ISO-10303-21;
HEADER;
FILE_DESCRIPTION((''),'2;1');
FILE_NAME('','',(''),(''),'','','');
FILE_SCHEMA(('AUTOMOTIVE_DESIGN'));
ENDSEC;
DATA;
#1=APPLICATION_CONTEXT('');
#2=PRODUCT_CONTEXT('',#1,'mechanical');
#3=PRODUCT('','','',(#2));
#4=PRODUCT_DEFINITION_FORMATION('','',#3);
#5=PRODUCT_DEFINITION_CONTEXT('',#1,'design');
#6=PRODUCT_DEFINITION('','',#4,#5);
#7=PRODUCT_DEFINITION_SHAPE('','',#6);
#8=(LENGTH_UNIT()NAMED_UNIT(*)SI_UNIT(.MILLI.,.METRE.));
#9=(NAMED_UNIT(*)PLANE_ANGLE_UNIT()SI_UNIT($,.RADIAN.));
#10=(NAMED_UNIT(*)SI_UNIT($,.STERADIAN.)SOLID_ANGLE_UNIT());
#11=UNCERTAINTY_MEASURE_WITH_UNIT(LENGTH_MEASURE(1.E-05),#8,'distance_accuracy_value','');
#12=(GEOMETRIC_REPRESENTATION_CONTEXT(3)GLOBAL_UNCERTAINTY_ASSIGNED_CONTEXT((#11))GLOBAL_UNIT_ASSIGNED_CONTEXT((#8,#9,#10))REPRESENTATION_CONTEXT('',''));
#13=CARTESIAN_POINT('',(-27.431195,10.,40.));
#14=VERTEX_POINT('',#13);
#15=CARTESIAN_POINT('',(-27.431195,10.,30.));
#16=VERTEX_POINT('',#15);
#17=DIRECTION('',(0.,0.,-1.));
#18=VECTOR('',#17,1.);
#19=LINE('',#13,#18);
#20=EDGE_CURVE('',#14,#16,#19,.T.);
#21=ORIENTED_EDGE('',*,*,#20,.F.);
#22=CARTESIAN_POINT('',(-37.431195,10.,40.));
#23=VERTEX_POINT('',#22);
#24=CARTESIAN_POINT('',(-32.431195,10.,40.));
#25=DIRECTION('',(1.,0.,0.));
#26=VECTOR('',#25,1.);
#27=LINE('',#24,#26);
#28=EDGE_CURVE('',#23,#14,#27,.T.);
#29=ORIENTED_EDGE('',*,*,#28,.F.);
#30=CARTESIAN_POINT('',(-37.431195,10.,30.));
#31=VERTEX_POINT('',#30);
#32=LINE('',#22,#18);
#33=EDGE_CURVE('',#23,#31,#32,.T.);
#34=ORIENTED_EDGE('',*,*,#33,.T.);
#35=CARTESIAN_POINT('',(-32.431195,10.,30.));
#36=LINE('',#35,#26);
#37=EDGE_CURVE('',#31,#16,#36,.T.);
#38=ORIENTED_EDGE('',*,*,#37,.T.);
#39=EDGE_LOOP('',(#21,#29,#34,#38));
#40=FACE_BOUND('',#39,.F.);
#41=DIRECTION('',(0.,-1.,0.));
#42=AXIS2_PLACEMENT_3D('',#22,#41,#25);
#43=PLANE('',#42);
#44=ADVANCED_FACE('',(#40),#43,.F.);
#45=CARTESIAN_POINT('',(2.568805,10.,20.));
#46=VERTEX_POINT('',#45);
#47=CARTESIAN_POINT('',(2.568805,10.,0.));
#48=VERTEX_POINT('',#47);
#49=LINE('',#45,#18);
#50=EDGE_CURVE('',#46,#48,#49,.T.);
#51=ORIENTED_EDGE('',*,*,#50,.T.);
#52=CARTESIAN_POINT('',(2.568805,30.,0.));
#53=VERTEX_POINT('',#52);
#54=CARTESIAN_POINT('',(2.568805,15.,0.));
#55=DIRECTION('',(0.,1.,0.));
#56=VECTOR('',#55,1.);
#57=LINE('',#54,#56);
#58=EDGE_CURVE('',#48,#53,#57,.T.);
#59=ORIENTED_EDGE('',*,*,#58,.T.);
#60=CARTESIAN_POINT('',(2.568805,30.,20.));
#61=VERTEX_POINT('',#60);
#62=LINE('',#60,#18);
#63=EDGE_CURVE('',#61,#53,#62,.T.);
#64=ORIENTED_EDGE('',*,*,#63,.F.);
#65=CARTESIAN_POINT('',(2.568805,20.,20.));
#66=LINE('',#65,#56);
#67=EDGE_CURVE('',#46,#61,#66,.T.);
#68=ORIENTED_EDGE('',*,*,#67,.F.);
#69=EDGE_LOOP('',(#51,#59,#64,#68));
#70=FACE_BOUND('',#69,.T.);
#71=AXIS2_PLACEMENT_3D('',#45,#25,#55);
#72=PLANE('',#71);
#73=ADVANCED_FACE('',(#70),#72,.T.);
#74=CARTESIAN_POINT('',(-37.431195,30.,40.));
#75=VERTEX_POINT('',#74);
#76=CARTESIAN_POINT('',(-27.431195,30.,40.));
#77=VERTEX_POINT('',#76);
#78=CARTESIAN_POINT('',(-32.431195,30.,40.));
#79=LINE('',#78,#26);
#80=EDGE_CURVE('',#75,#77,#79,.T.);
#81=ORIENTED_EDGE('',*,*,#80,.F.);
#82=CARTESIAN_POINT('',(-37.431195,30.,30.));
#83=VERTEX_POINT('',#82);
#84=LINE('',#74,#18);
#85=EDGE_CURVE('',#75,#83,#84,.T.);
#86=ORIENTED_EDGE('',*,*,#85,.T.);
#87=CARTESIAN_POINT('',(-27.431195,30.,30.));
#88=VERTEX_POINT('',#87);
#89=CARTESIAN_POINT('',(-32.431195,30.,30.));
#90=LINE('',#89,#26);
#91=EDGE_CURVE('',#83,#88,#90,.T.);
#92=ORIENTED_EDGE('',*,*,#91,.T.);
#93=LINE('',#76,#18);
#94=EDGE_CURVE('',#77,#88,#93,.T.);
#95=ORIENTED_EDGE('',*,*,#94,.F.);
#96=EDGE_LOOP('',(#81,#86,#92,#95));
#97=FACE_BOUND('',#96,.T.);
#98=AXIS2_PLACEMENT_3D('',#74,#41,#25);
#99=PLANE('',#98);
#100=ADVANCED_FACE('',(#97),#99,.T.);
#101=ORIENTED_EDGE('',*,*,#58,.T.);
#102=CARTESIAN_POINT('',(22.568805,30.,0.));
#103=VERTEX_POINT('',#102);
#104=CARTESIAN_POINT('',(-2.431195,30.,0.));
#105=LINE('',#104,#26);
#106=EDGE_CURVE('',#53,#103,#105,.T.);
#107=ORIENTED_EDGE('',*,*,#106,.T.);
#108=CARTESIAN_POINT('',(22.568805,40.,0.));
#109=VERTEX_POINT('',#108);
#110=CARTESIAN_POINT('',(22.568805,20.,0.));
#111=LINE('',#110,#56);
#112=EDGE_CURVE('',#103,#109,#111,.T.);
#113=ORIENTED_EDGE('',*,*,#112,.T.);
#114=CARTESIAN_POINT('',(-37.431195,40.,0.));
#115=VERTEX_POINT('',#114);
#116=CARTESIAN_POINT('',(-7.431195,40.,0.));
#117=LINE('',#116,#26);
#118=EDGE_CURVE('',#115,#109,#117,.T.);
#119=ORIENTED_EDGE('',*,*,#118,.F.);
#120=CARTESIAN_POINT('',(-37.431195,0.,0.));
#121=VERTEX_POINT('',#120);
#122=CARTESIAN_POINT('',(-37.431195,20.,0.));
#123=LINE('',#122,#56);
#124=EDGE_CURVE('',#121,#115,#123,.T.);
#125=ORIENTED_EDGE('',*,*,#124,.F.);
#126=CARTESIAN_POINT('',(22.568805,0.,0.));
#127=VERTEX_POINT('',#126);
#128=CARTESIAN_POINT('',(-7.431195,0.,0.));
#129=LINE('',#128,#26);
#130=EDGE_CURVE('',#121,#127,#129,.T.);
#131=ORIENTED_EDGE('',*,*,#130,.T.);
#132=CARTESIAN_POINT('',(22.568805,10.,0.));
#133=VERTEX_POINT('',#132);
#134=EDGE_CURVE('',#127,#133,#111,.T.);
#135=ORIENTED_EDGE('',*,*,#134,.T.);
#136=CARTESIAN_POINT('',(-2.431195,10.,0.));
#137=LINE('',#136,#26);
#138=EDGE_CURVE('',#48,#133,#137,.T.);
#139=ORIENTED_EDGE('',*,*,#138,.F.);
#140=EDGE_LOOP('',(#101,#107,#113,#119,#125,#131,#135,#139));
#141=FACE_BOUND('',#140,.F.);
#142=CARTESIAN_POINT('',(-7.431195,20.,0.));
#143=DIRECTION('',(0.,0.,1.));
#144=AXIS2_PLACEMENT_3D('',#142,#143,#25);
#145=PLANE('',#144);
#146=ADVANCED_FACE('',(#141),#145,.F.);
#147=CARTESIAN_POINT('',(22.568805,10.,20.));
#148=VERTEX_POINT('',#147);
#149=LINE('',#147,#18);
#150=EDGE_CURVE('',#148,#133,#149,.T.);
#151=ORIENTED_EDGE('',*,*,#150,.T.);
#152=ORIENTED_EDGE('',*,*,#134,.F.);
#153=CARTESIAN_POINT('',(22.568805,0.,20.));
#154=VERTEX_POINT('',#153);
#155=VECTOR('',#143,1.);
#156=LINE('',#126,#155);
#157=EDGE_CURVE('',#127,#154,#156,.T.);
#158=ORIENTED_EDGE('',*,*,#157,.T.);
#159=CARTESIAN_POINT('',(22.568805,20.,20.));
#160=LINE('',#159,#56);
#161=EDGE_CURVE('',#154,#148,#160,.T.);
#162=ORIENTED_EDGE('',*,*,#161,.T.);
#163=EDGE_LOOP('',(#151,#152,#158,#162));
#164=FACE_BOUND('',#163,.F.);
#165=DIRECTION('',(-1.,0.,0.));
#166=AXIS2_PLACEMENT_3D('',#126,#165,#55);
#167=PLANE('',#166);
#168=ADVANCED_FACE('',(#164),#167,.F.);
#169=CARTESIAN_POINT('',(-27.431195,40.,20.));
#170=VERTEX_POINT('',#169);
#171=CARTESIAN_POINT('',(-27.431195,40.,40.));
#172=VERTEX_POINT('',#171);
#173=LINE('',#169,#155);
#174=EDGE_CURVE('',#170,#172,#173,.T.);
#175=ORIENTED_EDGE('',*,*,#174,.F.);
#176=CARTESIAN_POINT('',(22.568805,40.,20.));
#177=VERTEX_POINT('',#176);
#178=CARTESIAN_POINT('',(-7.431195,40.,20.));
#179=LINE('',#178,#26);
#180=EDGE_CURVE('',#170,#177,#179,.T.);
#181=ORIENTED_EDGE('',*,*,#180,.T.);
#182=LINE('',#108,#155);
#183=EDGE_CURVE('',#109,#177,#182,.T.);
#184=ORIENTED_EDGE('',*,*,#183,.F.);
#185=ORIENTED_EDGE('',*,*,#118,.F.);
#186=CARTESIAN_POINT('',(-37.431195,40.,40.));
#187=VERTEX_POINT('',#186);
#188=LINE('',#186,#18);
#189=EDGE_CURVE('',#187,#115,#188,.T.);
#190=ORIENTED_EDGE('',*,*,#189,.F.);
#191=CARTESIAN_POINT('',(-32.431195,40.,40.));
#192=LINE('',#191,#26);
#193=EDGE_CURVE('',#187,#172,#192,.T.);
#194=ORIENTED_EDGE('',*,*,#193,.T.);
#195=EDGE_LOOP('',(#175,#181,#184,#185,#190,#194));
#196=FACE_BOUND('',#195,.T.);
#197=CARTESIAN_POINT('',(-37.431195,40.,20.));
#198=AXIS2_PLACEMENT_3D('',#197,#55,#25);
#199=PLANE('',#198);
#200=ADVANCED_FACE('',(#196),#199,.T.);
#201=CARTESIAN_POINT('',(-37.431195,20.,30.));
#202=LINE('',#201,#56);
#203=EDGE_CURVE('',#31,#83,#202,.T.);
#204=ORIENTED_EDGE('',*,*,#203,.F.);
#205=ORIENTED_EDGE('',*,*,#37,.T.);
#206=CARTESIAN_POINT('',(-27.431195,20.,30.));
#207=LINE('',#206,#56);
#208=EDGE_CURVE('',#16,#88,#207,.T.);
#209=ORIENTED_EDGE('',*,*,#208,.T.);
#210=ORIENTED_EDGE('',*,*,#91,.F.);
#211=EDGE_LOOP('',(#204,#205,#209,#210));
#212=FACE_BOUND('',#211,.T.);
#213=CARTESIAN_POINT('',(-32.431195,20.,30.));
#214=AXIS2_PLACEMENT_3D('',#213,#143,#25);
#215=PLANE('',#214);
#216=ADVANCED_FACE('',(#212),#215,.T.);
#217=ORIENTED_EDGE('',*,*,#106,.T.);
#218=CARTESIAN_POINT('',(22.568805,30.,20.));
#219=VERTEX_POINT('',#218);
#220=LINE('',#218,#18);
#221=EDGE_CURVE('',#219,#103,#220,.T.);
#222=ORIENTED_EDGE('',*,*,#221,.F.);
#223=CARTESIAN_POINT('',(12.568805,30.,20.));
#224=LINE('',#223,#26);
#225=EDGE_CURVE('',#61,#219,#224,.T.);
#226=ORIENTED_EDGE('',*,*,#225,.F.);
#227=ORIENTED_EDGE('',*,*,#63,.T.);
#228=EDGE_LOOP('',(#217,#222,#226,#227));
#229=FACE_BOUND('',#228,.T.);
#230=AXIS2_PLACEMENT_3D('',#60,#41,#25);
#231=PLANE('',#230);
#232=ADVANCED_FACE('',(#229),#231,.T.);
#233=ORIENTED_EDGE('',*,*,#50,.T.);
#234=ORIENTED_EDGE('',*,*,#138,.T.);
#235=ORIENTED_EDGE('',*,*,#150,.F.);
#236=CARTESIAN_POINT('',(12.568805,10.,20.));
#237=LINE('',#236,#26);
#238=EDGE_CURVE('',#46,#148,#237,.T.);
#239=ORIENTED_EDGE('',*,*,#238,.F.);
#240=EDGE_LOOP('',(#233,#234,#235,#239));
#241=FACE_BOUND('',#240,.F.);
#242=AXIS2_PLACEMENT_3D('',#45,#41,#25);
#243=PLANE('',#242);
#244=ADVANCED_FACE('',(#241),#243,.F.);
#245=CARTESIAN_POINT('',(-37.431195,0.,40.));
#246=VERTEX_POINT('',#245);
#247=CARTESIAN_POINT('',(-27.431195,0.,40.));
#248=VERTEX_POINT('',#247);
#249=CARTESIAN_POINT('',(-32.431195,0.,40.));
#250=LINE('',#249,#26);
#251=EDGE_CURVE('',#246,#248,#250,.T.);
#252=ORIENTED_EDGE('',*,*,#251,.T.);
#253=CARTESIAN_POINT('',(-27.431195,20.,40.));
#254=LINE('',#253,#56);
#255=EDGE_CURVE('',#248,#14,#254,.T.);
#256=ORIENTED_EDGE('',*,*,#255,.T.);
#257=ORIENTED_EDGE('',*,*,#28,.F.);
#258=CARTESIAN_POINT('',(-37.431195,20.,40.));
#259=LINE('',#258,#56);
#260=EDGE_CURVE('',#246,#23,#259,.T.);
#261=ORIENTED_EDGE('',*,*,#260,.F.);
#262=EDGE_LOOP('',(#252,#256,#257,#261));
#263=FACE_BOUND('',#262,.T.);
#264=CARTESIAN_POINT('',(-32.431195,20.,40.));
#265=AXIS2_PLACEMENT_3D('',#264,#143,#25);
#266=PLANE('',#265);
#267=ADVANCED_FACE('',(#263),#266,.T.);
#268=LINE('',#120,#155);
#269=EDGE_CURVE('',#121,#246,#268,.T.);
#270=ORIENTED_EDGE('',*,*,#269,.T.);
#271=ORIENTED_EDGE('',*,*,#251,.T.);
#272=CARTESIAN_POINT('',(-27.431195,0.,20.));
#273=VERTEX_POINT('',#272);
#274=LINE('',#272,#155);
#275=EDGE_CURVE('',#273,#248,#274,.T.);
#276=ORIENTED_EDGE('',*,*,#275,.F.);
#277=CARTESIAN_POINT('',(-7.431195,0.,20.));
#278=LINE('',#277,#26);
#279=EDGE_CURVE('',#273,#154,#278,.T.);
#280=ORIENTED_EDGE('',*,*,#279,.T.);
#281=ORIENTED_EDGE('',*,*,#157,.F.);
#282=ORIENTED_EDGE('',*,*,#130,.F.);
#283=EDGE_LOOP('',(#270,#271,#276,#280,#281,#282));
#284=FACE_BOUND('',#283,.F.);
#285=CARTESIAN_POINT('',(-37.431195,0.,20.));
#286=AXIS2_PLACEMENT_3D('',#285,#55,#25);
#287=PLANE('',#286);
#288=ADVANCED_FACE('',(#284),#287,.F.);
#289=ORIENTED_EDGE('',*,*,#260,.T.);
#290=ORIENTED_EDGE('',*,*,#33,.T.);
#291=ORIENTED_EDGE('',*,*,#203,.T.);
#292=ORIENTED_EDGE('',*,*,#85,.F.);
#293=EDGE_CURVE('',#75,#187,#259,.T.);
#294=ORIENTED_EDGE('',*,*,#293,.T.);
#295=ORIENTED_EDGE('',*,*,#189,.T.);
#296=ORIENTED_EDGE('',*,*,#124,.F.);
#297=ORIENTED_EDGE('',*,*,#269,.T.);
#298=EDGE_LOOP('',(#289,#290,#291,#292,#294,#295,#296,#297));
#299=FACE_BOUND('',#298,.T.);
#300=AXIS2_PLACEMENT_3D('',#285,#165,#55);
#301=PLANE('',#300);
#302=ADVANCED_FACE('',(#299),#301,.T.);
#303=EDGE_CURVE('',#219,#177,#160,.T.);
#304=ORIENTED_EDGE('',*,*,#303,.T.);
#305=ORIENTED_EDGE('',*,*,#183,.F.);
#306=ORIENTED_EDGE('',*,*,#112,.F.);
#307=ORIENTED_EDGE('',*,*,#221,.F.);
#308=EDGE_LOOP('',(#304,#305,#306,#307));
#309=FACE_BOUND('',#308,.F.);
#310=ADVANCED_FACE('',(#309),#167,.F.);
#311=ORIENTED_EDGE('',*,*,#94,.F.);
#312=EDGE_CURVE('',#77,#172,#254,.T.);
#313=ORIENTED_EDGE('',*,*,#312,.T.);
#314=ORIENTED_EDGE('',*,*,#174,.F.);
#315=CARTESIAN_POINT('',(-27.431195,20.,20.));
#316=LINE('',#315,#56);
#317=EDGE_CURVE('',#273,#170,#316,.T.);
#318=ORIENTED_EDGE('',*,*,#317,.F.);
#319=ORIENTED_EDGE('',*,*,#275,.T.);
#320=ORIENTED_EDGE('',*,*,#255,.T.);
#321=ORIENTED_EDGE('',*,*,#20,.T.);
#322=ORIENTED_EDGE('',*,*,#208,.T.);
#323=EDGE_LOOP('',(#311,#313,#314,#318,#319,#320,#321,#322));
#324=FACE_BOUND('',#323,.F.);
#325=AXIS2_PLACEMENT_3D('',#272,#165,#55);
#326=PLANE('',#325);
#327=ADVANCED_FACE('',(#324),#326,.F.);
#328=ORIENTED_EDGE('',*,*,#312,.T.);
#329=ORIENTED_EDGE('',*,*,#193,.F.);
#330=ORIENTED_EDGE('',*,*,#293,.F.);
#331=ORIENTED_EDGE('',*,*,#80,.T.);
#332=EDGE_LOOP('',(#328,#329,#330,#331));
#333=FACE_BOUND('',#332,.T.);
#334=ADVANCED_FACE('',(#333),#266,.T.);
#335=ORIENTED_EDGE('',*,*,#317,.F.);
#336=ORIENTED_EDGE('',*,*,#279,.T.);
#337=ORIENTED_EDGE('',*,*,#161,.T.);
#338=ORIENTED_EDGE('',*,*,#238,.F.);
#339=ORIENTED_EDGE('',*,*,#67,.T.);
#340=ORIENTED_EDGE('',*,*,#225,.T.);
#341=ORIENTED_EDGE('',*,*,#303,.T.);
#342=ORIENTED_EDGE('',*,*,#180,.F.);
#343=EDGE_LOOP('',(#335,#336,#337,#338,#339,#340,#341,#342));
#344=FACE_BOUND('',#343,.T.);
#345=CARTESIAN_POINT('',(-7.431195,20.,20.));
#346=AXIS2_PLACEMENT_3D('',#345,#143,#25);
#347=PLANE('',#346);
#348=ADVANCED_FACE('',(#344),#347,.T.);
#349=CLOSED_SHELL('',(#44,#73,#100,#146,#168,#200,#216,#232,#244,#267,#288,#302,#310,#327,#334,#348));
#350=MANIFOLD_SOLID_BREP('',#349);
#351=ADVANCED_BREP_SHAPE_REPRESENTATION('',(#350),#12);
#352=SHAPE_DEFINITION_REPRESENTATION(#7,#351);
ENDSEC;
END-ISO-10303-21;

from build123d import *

# Parameters (mm, degrees)
F0_W     = 60
F0_H     = 40
F1_DEPTH = 20
F3_W     = 10
F3_H     = 40
F4_DEPTH = 20
F5_W     = 20
F5_H     = 20
F6_DEPTH = 20.001
F7_W     = 10
F7_H     = 20
F8_DEPTH = 10


with BuildPart() as f1:
    # F0 (on Top) → F1 (new body)
    with BuildSketch(Plane.XY):
        with Locations((-7.431195, 20)):
            Rectangle(F0_W, F0_H)
    extrude(amount=F1_DEPTH)

    # F3 (on face) → F4 (join)
    with BuildSketch(Plane.XY.offset(20)):
        with Locations((-32.431195, 20)):
            Rectangle(F3_W, F3_H)
    extrude(amount=F4_DEPTH)

    # F5 (on face) → F6 (cut, through all)
    with BuildSketch(Plane.XY.offset(20)):
        with Locations((12.568805, 20)):
            Rectangle(F5_W, F5_H)
    extrude(amount=-F6_DEPTH, mode=Mode.SUBTRACT)

    # F7 (on face) → F8 (cut)
    with BuildSketch(Plane.XY.offset(40)):
        with Locations((-32.431195, 20)):
            Rectangle(F7_W, F7_H)
    extrude(amount=-F8_DEPTH, mode=Mode.SUBTRACT)


solid = f1.part
